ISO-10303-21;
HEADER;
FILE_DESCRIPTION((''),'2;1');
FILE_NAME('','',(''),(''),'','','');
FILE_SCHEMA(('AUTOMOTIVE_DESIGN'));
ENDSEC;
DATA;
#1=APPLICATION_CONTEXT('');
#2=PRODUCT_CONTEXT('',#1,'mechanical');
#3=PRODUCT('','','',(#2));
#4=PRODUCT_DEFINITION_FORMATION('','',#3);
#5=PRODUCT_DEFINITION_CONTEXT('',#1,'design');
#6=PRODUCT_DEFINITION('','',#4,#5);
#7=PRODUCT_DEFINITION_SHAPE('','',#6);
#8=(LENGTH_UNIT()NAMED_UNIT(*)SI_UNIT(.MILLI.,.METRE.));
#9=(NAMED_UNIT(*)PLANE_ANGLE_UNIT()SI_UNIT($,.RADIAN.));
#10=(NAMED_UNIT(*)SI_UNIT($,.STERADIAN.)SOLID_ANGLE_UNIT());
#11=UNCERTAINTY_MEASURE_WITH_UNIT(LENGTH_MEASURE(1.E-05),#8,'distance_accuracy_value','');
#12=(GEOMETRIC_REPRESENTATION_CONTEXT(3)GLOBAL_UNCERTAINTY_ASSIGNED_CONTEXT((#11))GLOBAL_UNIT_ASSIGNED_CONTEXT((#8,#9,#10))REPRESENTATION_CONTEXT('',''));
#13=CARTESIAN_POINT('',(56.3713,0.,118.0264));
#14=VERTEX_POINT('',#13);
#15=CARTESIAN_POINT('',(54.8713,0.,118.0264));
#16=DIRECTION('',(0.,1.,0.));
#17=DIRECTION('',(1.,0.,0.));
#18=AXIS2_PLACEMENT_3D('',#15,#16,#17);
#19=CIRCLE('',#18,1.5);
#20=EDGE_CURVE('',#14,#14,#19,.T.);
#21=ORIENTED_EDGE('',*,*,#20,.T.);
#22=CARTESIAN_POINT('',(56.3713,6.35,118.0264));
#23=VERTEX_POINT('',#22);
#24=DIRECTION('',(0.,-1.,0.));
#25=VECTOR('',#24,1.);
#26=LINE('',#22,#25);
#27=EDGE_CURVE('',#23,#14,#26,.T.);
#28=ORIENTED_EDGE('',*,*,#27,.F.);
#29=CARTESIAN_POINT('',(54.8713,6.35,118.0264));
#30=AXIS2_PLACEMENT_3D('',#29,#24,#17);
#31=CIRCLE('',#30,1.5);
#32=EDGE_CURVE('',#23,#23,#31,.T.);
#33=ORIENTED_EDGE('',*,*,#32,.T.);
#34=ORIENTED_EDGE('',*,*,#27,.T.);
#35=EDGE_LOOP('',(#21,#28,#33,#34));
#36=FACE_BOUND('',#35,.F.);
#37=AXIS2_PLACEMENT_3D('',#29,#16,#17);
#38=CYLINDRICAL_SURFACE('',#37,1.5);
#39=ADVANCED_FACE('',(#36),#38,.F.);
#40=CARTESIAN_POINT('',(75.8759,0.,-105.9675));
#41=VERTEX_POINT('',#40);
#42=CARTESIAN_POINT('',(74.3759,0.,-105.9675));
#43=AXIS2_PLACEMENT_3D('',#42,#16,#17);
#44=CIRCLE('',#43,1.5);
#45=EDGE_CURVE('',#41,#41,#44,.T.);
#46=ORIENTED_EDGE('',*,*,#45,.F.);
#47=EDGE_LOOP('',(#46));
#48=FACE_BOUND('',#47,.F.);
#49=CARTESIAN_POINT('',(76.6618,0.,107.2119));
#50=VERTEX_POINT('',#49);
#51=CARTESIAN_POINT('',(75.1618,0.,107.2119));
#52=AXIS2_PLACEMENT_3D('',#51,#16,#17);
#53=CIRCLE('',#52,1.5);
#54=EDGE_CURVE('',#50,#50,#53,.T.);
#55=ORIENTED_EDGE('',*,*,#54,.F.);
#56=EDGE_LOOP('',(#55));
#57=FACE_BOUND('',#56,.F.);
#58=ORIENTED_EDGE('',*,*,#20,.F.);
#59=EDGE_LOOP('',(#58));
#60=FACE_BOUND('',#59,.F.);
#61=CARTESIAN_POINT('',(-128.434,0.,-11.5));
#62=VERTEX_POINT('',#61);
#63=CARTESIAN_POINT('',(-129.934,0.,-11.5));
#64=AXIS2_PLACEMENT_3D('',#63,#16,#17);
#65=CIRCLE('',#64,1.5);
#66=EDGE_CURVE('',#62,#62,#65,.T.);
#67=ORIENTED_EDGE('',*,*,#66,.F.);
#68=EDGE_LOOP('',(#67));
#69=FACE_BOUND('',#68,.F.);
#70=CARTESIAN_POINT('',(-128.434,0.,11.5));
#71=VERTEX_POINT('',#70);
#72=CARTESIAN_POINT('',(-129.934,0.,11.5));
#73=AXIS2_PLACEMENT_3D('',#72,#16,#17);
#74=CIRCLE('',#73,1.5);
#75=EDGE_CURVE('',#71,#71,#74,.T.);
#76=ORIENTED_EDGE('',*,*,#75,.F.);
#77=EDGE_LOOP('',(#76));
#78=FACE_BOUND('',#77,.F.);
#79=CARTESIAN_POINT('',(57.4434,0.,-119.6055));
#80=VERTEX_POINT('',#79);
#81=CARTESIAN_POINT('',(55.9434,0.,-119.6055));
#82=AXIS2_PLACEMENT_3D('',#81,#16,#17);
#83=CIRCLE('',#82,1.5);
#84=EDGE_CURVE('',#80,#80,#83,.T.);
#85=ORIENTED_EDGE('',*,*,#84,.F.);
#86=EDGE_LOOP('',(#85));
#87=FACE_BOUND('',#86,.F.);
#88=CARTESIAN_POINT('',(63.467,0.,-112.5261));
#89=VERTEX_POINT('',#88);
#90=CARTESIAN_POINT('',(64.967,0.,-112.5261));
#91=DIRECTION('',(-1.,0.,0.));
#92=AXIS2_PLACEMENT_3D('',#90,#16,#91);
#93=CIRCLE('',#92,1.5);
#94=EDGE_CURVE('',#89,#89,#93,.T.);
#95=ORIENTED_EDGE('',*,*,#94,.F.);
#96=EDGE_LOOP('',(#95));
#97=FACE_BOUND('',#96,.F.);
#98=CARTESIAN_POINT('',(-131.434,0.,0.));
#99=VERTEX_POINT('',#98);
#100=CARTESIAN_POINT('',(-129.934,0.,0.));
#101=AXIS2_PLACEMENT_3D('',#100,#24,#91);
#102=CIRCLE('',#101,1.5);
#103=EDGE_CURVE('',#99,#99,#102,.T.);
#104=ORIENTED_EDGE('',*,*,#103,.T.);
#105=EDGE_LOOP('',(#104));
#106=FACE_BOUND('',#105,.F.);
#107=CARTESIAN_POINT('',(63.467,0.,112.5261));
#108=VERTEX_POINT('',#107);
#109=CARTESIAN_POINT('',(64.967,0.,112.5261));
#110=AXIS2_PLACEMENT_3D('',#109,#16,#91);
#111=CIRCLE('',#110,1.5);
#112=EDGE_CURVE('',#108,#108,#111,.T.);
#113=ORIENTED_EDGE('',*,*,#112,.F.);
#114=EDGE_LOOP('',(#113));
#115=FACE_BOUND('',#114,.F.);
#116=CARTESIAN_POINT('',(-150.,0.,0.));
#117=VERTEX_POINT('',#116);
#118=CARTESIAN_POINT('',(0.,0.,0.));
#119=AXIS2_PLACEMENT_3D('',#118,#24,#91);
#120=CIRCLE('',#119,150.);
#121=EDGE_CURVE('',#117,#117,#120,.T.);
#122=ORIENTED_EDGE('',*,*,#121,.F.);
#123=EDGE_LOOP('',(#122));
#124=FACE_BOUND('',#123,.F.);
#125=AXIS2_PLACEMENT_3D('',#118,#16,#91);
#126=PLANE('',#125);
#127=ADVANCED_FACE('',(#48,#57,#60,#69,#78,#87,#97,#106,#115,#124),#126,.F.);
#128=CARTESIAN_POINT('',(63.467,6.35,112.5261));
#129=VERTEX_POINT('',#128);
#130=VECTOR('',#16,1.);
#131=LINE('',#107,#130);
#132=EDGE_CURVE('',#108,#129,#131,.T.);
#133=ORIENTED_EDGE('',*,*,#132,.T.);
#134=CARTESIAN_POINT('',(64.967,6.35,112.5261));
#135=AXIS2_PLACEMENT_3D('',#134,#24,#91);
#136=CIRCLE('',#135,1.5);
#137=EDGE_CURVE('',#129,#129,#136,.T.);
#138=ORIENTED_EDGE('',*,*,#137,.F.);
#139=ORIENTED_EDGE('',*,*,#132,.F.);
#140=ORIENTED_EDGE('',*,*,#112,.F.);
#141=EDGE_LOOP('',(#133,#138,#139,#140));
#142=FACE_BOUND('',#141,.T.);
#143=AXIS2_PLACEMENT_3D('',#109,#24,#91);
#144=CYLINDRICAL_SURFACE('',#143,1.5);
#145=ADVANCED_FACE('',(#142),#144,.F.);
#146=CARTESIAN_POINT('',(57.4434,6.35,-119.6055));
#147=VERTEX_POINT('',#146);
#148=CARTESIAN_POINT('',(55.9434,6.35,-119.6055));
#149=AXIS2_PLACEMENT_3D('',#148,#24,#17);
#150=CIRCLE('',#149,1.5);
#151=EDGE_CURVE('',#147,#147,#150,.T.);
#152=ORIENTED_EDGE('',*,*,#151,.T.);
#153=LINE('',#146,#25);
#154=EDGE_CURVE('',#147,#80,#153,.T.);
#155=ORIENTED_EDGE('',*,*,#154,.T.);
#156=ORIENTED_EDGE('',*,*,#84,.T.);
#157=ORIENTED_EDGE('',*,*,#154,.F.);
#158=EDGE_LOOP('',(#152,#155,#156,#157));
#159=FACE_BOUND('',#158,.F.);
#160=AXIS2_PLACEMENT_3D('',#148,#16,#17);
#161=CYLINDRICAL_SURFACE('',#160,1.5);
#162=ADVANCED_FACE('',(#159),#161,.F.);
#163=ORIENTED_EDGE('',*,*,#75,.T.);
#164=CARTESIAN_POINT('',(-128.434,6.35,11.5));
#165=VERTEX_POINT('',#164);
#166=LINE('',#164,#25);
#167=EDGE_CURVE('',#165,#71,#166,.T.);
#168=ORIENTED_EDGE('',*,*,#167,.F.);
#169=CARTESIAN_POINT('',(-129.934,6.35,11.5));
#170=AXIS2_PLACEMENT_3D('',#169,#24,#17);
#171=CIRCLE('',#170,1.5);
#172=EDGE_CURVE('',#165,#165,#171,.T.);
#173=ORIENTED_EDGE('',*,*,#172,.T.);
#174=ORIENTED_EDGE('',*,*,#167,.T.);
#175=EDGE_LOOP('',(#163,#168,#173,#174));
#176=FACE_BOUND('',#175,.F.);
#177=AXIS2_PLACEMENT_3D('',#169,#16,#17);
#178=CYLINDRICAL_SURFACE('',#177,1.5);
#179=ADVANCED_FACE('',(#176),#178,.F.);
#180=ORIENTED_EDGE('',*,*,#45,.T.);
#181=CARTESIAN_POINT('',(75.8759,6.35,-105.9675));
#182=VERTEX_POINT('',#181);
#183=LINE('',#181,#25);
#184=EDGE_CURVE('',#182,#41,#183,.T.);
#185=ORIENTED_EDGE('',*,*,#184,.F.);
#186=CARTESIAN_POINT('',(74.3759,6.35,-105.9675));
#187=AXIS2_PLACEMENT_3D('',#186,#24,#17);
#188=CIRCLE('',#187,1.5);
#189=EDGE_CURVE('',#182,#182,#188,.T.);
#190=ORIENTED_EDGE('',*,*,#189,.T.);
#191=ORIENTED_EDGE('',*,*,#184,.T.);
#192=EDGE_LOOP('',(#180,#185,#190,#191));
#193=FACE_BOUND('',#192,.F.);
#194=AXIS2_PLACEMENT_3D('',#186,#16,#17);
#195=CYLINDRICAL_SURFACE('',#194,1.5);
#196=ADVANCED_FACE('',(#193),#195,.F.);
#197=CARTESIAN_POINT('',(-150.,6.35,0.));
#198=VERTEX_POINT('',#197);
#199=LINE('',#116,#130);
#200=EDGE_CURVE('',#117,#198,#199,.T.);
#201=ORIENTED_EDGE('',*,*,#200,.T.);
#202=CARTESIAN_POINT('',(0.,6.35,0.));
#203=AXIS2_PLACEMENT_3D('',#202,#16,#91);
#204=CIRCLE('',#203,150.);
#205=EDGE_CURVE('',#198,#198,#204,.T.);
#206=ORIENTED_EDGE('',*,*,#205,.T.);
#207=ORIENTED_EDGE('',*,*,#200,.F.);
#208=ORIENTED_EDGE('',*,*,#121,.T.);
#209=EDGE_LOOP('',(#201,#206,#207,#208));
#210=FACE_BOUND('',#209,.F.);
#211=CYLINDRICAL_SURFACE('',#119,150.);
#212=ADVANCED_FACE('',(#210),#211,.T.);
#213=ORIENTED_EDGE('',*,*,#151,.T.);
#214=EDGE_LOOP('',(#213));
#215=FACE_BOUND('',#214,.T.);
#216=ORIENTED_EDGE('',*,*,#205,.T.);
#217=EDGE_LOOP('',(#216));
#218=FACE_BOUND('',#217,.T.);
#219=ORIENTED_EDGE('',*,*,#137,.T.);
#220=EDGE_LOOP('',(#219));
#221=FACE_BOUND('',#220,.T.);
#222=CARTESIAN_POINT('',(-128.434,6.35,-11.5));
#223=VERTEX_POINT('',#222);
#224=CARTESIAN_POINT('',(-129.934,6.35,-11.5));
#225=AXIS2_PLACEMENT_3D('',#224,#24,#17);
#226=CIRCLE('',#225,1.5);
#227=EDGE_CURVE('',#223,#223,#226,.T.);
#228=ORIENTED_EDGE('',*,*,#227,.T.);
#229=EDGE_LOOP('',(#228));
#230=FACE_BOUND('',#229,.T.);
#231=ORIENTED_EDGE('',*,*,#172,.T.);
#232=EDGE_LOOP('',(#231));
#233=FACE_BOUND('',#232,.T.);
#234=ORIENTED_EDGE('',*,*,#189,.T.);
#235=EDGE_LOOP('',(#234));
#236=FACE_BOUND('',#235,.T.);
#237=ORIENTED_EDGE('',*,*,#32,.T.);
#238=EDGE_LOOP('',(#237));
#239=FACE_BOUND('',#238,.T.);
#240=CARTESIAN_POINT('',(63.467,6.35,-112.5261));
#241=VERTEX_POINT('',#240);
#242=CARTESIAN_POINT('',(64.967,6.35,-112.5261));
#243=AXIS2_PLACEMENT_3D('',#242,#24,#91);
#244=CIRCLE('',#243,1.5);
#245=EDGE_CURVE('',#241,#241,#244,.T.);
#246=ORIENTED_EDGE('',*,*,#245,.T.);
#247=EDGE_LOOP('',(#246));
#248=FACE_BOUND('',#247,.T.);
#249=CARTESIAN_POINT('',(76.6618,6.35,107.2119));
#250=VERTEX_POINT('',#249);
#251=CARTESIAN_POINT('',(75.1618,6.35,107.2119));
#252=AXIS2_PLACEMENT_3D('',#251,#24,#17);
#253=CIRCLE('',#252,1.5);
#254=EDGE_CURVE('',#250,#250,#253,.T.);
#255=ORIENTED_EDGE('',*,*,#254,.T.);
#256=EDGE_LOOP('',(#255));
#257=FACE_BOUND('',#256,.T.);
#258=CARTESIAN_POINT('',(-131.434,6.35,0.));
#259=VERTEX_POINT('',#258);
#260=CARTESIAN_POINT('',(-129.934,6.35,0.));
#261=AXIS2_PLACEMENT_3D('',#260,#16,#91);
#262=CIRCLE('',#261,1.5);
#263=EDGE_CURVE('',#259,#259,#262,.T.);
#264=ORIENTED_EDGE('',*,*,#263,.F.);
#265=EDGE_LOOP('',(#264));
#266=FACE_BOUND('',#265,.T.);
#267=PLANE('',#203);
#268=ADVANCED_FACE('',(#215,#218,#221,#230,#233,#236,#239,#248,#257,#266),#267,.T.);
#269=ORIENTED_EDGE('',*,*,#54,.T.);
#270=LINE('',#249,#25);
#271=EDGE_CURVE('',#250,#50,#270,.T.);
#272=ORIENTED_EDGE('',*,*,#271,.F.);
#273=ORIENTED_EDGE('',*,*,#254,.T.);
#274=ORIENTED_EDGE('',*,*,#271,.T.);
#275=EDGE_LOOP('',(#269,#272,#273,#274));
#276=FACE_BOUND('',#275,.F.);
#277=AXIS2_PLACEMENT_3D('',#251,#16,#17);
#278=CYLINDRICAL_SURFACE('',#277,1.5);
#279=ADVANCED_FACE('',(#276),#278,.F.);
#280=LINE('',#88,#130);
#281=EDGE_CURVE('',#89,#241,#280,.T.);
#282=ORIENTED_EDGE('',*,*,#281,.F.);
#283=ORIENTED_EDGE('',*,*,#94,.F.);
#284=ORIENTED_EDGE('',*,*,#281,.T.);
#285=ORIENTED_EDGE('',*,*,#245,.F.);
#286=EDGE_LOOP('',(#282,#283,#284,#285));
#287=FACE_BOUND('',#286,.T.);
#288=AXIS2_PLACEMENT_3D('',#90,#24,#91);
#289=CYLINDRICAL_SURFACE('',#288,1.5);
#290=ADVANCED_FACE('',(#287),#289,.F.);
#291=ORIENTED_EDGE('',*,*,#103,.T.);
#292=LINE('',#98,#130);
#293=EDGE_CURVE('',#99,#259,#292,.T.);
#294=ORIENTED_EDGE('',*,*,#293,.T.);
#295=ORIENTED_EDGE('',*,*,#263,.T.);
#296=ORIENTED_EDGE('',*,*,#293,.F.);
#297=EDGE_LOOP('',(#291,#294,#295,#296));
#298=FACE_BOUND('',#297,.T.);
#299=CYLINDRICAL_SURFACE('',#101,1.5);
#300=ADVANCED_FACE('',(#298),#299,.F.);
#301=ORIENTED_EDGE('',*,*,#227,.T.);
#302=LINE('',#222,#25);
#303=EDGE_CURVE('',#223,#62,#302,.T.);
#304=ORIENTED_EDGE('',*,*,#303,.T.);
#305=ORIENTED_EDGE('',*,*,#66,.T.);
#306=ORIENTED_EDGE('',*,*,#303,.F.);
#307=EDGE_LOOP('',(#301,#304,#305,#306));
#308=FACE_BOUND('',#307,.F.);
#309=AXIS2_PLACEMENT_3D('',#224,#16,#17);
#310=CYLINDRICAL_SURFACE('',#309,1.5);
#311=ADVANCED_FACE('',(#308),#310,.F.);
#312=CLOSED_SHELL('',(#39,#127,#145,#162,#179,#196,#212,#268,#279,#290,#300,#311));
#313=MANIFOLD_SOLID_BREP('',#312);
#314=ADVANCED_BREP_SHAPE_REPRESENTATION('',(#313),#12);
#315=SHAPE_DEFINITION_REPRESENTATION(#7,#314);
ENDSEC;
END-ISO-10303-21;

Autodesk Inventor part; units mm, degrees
ref_plane "YZ Plane" through (0, 0, 0) normal (1, 0, 0) x (0, 1, 0)
ref_plane "XZ Plane" through (0, 0, 0) normal (0, 1, 0) x (-1, 0, 0)
ref_plane "XY Plane" through (0, 0, 0) normal (0, 0, 1) x (1, 0, 0)
sketch "Sketch1" plane through (0, 0, 0) normal (0, 1, 0) x (-1, 0, 0)
  circle A0 centre (0, 0) radius 150
  line L0 (150, 0) -> (0, 0)
  line L1 (0, 0) -> (-75, -129.9038)
  line L2 (0, 0) -> (150, 0) construction
  line L3 (0, 0) -> (-75, 129.9038)
  line L4 (0, 0) -> (150, 0) construction
  line L5 (-75, 129.9038) -> (-74.5, 129.0378)
  line L6 (-74.5, 129.0378) -> (-69.335, 120.0917)
  line L7 (-75, 129.9038) -> (-64.967, 112.5261)
  circle A1 centre (-64.967, 112.5261) radius 1.5
  line L8 (150, 0) -> (129.934, 0)
  circle A2 centre (129.934, 0) radius 1.5
  line L9 (-75, -129.9038) -> (-64.967, -112.5261)
  circle A3 centre (-64.967, -112.5261) radius 1.5
  dimension "d20" = 300
  dimension "d22" = 120
  dimension "d23" = 120
  dimension "d24" = 1
  dimension "d25" = 10.33
  dimension "d26" = 20.066
  dimension "d27" = 3
  dimension "d28" = 20.066
  dimension "d29" = 3
  dimension "d30" = 20.066
  dimension "d31" = 3
extrude "Extrusion1" add sketch "Sketch1" along normal blind 6.35 contours L0 A2 L3 A1 A0 | A0 L1 A3 L0 A2 | L3 A1 L1 A3 A0
sketch "Sketch2" plane through (0, 6.35, 0) normal (0, 1, 0) x (1, 0, 0)
  circle A0 centre (-129.934, 0) radius 1.5 projected
  line L0 (-129.934, -1.5) -> (-129.934, -11.5)
  line L1 (-129.934, 1.5) -> (-129.934, 11.5)
  circle A1 centre (-129.934, -11.5) radius 1.5
  circle A2 centre (-129.934, 11.5) radius 1.5
  circle A3 centre (64.967, -112.5261) radius 1.5 projected
  line L2 (63.6961, -113.3229) -> (54.8713, -118.0264)
  line L3 (54.8713, -118.0264) -> (66.337, -111.9154)
  line L4 (66.337, -111.9154) -> (75.1618, -107.2119)
  circle A4 centre (54.8713, -118.0264) radius 1.5
  circle A5 centre (75.1618, -107.2119) radius 1.5
  circle A6 centre (64.967, 112.5261) radius 1.5 projected
  line L5 (66.337, 111.9154) -> (74.3759, 105.9675)
  line L6 (74.3759, 105.9675) -> (63.9823, 113.6576)
  line L7 (63.9823, 113.6576) -> (55.9434, 119.6055)
  circle A7 centre (55.9434, 119.6055) radius 1.5
  circle A8 centre (74.3759, 105.9675) radius 1.5
  point P0 (0, 0)
  dimension "d36" = 10
  dimension "d37" = 10
  dimension "d38" = 3
  dimension "d39" = 3
  dimension "d40" = 10
  dimension "d41" = 10
  dimension "d42" = 3
  dimension "d43" = 3
  dimension "d44" = 10
  dimension "d45" = 10
  dimension "d46" = 3
  dimension "d47" = 3
extrude "Extrusion3" cut sketch "Sketch2" against normal through all contours A1 | A2 | A4 | A5 | A8 | A7
sketch "Sketch7" plane through (0, 6.35, 0) normal (0, 1, 0) x (1, 0, 0)
  circle A0 centre (0, 0) radius 150 projected
  line L0 (150, 0) -> (-150, 0)
properties part number "plate support" material "Polycarbonat, klar"
